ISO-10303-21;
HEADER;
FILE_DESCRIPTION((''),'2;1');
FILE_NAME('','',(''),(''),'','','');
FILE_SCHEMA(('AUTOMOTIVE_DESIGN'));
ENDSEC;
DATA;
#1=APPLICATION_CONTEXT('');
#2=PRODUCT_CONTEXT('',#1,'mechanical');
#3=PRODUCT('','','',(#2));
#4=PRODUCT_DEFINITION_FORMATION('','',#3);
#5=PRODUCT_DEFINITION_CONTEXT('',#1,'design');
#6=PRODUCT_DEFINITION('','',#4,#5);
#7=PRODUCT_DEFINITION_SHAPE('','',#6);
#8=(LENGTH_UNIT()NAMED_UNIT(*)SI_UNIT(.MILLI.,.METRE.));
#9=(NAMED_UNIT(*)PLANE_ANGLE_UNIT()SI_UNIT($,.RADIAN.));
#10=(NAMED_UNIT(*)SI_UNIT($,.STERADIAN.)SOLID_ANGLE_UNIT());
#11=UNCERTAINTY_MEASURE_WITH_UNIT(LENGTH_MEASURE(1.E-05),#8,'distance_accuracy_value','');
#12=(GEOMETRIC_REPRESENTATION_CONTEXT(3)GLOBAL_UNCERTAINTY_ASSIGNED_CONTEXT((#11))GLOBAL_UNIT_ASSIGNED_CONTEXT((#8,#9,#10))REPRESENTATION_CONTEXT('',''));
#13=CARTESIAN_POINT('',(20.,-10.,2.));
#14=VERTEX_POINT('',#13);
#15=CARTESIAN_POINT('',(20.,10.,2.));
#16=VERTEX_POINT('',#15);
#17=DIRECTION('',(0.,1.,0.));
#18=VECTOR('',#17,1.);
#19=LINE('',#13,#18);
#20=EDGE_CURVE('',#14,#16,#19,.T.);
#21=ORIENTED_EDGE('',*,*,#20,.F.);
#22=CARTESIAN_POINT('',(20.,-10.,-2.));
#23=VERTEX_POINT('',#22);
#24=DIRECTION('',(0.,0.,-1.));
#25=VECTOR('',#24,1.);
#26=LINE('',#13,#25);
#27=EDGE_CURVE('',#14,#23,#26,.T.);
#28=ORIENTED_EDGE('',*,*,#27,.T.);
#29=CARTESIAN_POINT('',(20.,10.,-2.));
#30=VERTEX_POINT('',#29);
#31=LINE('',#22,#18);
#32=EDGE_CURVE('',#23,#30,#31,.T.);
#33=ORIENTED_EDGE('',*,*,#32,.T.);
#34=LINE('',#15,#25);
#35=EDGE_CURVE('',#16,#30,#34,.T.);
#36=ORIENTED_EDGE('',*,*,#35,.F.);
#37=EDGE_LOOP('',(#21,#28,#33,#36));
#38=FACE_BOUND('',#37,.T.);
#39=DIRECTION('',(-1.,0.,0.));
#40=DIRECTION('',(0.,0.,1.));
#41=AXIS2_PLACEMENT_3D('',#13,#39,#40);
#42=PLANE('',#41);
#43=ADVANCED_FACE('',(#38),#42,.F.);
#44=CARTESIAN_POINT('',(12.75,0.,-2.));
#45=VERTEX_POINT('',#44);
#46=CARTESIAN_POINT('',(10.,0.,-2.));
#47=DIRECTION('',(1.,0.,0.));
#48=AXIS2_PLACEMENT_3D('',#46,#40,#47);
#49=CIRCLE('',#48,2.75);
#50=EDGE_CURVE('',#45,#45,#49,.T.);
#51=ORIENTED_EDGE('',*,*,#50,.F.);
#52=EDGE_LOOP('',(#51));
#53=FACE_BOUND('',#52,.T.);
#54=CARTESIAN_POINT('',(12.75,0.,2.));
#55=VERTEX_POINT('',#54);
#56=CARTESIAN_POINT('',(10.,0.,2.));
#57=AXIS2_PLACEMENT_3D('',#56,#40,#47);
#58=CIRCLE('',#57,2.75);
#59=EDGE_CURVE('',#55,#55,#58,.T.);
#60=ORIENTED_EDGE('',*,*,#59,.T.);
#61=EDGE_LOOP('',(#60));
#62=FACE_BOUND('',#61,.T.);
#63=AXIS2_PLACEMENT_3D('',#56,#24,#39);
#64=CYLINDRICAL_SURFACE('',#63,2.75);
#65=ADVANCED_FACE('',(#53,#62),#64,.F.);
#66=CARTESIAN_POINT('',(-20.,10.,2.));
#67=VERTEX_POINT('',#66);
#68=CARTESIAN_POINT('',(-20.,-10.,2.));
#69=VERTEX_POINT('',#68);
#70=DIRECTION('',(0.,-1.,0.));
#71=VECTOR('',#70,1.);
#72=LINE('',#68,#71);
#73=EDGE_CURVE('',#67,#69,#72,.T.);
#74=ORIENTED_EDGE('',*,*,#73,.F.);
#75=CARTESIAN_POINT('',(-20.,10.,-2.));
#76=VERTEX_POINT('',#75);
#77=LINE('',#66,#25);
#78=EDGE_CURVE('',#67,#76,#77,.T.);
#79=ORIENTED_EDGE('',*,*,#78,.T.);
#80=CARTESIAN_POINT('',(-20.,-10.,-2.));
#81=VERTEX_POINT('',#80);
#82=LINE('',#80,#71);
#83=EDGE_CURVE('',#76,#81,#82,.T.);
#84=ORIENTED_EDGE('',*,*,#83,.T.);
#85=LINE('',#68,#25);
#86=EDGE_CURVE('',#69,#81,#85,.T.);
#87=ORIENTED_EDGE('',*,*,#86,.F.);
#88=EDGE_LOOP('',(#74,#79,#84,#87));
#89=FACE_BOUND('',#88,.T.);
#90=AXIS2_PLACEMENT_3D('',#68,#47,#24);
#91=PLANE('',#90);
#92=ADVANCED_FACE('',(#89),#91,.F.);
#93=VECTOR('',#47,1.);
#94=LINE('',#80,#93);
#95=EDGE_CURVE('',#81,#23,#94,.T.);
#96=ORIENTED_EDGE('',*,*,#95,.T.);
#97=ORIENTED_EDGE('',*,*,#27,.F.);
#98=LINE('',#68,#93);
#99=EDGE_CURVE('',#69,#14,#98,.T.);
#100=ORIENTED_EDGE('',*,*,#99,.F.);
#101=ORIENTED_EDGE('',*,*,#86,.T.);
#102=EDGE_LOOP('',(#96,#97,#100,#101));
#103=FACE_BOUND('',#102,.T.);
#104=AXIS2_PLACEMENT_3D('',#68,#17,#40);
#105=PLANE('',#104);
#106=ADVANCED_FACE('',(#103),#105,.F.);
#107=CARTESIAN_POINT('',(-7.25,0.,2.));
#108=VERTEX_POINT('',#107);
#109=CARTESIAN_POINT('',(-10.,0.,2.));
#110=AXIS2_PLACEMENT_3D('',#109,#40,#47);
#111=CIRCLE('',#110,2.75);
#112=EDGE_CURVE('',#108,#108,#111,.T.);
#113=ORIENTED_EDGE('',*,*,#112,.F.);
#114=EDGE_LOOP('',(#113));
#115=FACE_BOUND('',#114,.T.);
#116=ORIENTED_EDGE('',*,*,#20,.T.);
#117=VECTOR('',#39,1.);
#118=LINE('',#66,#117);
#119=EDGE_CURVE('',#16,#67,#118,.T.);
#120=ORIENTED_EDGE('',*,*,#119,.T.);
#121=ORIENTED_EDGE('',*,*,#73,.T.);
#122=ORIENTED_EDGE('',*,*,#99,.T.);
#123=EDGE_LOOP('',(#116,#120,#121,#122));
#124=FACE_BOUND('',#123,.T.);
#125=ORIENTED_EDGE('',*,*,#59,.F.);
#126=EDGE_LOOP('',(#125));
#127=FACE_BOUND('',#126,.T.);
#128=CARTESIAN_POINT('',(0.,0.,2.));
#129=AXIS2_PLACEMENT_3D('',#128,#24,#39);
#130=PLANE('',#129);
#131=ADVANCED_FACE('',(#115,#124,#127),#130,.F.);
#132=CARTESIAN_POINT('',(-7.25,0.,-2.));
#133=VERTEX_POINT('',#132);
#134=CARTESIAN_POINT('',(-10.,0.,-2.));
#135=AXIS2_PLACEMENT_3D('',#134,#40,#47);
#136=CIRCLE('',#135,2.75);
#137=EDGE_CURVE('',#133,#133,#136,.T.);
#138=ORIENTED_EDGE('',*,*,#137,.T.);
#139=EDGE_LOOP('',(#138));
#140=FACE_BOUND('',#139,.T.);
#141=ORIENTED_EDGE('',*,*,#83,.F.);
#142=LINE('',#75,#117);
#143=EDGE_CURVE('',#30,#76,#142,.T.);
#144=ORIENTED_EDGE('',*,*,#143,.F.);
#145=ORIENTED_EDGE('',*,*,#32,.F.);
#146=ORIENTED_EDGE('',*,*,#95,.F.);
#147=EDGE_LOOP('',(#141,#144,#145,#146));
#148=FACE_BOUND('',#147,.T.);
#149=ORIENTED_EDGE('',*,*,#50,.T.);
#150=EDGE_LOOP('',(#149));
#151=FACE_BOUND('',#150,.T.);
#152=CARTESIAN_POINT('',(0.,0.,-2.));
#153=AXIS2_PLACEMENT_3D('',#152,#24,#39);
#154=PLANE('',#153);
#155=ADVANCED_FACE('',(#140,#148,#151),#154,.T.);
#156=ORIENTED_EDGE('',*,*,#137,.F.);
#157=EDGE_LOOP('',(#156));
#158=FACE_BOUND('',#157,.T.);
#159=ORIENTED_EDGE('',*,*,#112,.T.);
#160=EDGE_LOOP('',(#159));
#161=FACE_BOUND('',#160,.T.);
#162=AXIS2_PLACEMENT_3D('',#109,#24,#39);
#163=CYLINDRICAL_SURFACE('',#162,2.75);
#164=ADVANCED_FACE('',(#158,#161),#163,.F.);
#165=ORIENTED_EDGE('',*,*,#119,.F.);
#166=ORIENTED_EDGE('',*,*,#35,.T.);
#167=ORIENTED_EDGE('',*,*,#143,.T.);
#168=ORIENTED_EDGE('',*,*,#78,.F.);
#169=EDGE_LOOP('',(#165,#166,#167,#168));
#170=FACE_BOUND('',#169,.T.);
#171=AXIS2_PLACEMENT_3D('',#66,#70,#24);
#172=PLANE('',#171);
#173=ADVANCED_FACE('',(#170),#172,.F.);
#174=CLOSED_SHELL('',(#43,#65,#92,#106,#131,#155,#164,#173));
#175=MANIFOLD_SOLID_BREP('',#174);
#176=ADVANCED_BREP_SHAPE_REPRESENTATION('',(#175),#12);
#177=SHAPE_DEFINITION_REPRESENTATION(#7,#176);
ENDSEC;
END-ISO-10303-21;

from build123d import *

# Parameters (mm, degrees)
SKETCH1_W           = 40
SKETCH1_H           = 20
SKETCH1_R           = 2.75
BOSS_EXTRUDE1_DEPTH = 2


with BuildPart() as part:
    # Sketch1 → Boss-Extrude1 (new body, symmetric)
    with BuildSketch(Plane.XY):
        Rectangle(SKETCH1_W, SKETCH1_H)
        with Locations((-10, 0)):
            Circle(SKETCH1_R, mode=Mode.SUBTRACT)
        with Locations((10, 0)):
            Circle(SKETCH1_R, mode=Mode.SUBTRACT)
    extrude(amount=BOSS_EXTRUDE1_DEPTH, both=True)


solid = part.part
